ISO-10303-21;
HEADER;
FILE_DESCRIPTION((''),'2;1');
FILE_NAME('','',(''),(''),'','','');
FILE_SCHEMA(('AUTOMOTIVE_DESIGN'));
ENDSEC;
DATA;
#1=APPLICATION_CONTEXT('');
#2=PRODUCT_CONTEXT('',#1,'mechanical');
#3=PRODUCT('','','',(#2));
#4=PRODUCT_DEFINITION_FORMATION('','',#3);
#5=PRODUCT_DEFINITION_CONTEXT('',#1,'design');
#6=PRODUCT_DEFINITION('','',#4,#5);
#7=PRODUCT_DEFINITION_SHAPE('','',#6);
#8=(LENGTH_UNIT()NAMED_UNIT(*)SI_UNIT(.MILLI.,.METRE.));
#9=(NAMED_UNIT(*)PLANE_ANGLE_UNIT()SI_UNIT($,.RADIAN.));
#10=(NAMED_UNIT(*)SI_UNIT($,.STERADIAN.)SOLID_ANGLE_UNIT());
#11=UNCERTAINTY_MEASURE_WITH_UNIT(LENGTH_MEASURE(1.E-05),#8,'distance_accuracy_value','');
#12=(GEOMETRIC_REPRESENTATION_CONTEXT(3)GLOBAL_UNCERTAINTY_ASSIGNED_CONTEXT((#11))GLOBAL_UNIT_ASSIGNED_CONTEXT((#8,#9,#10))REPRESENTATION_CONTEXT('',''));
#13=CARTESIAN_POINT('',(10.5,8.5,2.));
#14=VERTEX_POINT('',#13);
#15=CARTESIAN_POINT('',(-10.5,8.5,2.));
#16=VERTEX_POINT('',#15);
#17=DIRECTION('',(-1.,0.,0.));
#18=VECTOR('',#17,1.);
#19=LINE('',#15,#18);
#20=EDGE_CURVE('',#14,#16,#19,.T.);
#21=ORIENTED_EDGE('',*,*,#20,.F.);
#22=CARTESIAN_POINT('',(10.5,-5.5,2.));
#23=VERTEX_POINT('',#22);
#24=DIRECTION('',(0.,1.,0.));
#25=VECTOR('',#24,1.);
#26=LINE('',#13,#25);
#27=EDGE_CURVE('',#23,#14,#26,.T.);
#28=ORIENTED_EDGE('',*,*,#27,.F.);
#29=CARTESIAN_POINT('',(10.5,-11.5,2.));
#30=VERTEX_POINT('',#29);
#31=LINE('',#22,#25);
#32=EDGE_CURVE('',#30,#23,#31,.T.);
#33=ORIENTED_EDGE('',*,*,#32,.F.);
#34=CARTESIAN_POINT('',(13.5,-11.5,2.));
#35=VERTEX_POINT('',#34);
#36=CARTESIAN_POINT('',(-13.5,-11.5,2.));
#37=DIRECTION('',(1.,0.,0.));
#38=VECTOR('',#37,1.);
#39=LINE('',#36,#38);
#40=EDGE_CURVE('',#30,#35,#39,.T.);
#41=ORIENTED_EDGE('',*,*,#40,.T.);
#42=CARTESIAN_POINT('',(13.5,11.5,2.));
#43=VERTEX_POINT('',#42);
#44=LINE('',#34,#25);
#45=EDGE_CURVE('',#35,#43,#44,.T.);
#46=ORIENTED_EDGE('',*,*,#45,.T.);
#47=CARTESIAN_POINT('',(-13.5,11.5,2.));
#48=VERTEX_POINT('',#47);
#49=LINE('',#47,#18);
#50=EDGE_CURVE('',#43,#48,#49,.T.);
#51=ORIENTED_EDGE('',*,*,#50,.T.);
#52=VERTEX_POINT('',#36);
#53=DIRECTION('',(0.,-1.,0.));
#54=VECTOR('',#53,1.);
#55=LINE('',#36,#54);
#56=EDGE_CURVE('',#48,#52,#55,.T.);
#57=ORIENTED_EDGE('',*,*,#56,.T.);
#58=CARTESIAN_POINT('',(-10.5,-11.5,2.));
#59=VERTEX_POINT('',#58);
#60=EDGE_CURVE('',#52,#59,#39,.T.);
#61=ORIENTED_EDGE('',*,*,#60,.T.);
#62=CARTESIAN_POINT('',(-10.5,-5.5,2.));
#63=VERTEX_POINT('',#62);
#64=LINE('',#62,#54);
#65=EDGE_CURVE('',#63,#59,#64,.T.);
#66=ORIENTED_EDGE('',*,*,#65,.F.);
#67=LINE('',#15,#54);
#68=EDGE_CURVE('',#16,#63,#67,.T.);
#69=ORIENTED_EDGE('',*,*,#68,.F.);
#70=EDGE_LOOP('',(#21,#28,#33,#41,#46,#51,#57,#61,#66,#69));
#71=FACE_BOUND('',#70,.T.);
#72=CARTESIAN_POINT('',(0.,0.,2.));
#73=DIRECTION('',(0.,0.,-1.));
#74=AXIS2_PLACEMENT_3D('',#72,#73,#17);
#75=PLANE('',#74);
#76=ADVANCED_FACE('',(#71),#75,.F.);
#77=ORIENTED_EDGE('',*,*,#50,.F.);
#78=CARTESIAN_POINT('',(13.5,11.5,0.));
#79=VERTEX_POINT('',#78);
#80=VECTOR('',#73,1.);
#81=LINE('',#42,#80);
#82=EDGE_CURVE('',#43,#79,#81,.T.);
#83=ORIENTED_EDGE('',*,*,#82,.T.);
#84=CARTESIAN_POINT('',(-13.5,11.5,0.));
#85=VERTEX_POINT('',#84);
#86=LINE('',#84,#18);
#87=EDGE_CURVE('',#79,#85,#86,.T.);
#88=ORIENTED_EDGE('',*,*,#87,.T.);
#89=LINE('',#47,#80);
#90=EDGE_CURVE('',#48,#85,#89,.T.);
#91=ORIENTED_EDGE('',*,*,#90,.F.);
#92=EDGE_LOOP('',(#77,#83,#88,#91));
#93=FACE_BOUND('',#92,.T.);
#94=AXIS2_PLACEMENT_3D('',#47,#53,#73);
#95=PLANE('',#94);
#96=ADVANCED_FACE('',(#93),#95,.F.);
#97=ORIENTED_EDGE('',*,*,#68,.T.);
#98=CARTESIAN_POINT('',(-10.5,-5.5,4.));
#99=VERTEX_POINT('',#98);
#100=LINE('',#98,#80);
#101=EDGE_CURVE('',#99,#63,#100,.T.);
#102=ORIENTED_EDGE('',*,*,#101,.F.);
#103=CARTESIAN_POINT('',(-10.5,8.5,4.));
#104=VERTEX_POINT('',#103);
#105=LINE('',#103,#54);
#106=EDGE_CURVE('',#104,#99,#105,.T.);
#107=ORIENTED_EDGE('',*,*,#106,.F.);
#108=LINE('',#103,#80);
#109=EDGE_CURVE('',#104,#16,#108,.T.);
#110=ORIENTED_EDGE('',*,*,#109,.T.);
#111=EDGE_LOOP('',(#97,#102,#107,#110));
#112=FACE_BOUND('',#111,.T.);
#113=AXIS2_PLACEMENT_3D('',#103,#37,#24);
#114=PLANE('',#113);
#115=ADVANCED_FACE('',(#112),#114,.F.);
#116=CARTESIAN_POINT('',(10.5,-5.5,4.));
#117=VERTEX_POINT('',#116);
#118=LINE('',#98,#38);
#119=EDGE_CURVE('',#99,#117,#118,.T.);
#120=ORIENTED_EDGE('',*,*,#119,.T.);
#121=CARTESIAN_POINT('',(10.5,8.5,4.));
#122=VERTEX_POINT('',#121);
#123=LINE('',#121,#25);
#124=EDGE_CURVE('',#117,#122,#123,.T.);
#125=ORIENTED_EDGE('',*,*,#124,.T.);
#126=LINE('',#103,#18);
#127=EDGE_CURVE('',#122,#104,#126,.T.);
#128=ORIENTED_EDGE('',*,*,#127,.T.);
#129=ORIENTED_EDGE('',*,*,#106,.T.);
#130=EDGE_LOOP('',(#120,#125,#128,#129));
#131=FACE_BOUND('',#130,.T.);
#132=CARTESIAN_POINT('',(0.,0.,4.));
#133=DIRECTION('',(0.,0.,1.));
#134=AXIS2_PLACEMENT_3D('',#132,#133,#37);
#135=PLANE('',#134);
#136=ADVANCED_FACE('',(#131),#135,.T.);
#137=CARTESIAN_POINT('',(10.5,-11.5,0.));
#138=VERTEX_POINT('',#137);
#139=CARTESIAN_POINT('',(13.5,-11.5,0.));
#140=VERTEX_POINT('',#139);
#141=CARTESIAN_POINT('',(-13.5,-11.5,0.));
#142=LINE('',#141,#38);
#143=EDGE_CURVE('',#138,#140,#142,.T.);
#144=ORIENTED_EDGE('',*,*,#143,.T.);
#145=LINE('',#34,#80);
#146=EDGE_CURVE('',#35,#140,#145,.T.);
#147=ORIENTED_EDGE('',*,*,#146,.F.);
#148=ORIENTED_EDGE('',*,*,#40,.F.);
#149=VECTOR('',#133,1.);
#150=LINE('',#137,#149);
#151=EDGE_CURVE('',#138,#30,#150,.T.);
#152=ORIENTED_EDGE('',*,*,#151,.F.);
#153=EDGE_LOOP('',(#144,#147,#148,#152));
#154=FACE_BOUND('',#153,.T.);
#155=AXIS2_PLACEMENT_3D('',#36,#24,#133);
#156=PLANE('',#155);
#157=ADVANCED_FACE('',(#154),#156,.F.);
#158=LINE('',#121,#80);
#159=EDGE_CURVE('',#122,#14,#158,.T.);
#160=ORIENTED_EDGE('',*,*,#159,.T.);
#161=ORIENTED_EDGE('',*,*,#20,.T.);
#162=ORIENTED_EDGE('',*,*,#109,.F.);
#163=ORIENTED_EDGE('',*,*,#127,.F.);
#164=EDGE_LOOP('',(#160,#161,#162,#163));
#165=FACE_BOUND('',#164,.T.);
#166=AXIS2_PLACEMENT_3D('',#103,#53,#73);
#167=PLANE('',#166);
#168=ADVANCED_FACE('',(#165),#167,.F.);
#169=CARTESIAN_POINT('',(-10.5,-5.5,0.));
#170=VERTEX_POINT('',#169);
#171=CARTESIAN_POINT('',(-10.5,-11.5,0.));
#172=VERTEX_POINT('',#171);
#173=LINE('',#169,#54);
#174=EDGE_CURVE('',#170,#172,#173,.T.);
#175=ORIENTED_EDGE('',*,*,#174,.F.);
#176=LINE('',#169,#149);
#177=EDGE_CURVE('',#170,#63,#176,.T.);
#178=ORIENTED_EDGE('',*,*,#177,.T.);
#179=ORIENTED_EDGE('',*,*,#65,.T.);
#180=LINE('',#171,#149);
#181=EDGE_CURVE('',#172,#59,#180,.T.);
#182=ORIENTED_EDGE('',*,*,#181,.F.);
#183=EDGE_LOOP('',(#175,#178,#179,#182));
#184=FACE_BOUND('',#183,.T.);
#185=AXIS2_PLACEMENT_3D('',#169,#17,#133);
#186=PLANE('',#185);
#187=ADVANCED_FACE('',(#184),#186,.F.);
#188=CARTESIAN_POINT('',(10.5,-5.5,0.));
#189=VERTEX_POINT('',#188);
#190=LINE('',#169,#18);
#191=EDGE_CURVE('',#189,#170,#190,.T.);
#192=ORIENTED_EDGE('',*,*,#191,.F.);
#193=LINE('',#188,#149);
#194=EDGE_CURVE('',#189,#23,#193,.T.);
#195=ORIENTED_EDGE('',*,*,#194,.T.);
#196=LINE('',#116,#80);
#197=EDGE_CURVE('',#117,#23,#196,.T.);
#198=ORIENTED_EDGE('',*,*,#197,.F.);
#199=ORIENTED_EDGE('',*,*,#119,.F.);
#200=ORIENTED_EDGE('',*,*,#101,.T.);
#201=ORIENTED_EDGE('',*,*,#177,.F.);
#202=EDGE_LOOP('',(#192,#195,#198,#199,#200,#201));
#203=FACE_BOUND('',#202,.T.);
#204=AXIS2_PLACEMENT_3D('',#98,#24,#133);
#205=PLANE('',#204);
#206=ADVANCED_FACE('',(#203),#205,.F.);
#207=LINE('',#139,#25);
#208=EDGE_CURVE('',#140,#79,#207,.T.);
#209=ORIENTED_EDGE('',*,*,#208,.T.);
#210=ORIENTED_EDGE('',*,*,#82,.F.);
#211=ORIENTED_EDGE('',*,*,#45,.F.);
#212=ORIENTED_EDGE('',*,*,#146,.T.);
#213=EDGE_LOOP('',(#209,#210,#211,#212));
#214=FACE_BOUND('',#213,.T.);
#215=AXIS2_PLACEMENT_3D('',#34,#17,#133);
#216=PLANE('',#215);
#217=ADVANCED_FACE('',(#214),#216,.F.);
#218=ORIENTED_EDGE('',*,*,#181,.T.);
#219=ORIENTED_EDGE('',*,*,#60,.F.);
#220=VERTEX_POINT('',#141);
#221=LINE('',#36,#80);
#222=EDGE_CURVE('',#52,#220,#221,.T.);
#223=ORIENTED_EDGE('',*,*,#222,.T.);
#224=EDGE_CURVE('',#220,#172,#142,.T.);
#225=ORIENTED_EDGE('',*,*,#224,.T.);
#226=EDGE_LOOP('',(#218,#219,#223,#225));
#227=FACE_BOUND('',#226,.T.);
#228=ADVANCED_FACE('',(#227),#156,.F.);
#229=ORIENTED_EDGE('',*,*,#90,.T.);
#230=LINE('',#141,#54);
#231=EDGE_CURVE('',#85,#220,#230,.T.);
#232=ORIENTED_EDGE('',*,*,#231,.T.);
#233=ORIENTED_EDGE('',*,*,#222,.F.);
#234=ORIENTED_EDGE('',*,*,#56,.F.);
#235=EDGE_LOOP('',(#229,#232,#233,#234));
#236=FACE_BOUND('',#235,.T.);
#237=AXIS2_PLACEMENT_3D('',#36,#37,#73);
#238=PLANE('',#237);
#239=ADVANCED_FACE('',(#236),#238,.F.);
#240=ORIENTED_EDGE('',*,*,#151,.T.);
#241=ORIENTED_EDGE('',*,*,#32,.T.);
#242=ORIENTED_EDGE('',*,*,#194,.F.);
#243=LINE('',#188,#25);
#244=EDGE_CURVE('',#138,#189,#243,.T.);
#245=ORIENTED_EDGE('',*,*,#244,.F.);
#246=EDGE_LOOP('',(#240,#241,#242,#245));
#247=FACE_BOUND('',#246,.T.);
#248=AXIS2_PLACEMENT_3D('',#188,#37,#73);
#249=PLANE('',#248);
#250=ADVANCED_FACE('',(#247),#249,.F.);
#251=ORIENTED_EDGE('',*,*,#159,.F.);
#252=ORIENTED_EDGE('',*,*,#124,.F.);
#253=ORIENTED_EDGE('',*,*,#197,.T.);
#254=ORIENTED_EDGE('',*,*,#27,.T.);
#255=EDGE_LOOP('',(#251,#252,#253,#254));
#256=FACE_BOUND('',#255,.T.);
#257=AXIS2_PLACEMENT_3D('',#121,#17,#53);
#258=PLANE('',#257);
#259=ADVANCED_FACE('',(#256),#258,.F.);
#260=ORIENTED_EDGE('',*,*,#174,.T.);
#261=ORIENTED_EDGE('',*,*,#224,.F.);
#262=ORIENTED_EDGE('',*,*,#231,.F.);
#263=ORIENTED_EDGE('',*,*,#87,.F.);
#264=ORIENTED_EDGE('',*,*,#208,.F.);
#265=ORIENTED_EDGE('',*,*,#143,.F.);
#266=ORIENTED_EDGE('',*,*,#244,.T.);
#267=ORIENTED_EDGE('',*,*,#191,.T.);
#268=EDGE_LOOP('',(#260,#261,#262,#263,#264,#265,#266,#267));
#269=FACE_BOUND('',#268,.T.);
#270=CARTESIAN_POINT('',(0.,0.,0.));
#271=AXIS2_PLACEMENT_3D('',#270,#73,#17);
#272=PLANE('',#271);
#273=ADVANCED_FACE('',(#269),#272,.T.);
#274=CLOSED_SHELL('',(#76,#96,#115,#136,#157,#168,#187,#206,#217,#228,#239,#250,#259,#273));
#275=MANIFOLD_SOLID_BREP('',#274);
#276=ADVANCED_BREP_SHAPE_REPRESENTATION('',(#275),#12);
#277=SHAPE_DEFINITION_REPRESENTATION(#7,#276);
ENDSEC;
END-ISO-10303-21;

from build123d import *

# Parameters (mm, degrees)
SKETCH1_W           = 27
SKETCH1_H           = 23
BOSS_EXTRUDE1_DEPTH = 2
SKETCH2_W           = 21
SKETCH2_H           = 14
BOSS_EXTRUDE2_DEPTH = 2
SKETCH3_W           = 21
SKETCH3_H           = 6
CUT_EXTRUDE1_DEPTH  = 2


with BuildPart() as part:
    # Sketch1 → Boss-Extrude1 (new body)
    with BuildSketch(Plane.XY):
        Rectangle(SKETCH1_W, SKETCH1_H)
    extrude(amount=BOSS_EXTRUDE1_DEPTH)

    # Sketch2 → Boss-Extrude2 (add)
    with BuildSketch(Plane.XY.offset(2)):
        with Locations((0, 1.5)):
            Rectangle(SKETCH2_W, SKETCH2_H)
    extrude(amount=BOSS_EXTRUDE2_DEPTH)

    # Sketch3 → Cut-Extrude1 (cut)
    with BuildSketch(Plane.XY.offset(2)):
        with Locations((0, -8.5)):
            Rectangle(SKETCH3_W, SKETCH3_H)
    extrude(amount=-CUT_EXTRUDE1_DEPTH, mode=Mode.SUBTRACT)


solid = part.part
